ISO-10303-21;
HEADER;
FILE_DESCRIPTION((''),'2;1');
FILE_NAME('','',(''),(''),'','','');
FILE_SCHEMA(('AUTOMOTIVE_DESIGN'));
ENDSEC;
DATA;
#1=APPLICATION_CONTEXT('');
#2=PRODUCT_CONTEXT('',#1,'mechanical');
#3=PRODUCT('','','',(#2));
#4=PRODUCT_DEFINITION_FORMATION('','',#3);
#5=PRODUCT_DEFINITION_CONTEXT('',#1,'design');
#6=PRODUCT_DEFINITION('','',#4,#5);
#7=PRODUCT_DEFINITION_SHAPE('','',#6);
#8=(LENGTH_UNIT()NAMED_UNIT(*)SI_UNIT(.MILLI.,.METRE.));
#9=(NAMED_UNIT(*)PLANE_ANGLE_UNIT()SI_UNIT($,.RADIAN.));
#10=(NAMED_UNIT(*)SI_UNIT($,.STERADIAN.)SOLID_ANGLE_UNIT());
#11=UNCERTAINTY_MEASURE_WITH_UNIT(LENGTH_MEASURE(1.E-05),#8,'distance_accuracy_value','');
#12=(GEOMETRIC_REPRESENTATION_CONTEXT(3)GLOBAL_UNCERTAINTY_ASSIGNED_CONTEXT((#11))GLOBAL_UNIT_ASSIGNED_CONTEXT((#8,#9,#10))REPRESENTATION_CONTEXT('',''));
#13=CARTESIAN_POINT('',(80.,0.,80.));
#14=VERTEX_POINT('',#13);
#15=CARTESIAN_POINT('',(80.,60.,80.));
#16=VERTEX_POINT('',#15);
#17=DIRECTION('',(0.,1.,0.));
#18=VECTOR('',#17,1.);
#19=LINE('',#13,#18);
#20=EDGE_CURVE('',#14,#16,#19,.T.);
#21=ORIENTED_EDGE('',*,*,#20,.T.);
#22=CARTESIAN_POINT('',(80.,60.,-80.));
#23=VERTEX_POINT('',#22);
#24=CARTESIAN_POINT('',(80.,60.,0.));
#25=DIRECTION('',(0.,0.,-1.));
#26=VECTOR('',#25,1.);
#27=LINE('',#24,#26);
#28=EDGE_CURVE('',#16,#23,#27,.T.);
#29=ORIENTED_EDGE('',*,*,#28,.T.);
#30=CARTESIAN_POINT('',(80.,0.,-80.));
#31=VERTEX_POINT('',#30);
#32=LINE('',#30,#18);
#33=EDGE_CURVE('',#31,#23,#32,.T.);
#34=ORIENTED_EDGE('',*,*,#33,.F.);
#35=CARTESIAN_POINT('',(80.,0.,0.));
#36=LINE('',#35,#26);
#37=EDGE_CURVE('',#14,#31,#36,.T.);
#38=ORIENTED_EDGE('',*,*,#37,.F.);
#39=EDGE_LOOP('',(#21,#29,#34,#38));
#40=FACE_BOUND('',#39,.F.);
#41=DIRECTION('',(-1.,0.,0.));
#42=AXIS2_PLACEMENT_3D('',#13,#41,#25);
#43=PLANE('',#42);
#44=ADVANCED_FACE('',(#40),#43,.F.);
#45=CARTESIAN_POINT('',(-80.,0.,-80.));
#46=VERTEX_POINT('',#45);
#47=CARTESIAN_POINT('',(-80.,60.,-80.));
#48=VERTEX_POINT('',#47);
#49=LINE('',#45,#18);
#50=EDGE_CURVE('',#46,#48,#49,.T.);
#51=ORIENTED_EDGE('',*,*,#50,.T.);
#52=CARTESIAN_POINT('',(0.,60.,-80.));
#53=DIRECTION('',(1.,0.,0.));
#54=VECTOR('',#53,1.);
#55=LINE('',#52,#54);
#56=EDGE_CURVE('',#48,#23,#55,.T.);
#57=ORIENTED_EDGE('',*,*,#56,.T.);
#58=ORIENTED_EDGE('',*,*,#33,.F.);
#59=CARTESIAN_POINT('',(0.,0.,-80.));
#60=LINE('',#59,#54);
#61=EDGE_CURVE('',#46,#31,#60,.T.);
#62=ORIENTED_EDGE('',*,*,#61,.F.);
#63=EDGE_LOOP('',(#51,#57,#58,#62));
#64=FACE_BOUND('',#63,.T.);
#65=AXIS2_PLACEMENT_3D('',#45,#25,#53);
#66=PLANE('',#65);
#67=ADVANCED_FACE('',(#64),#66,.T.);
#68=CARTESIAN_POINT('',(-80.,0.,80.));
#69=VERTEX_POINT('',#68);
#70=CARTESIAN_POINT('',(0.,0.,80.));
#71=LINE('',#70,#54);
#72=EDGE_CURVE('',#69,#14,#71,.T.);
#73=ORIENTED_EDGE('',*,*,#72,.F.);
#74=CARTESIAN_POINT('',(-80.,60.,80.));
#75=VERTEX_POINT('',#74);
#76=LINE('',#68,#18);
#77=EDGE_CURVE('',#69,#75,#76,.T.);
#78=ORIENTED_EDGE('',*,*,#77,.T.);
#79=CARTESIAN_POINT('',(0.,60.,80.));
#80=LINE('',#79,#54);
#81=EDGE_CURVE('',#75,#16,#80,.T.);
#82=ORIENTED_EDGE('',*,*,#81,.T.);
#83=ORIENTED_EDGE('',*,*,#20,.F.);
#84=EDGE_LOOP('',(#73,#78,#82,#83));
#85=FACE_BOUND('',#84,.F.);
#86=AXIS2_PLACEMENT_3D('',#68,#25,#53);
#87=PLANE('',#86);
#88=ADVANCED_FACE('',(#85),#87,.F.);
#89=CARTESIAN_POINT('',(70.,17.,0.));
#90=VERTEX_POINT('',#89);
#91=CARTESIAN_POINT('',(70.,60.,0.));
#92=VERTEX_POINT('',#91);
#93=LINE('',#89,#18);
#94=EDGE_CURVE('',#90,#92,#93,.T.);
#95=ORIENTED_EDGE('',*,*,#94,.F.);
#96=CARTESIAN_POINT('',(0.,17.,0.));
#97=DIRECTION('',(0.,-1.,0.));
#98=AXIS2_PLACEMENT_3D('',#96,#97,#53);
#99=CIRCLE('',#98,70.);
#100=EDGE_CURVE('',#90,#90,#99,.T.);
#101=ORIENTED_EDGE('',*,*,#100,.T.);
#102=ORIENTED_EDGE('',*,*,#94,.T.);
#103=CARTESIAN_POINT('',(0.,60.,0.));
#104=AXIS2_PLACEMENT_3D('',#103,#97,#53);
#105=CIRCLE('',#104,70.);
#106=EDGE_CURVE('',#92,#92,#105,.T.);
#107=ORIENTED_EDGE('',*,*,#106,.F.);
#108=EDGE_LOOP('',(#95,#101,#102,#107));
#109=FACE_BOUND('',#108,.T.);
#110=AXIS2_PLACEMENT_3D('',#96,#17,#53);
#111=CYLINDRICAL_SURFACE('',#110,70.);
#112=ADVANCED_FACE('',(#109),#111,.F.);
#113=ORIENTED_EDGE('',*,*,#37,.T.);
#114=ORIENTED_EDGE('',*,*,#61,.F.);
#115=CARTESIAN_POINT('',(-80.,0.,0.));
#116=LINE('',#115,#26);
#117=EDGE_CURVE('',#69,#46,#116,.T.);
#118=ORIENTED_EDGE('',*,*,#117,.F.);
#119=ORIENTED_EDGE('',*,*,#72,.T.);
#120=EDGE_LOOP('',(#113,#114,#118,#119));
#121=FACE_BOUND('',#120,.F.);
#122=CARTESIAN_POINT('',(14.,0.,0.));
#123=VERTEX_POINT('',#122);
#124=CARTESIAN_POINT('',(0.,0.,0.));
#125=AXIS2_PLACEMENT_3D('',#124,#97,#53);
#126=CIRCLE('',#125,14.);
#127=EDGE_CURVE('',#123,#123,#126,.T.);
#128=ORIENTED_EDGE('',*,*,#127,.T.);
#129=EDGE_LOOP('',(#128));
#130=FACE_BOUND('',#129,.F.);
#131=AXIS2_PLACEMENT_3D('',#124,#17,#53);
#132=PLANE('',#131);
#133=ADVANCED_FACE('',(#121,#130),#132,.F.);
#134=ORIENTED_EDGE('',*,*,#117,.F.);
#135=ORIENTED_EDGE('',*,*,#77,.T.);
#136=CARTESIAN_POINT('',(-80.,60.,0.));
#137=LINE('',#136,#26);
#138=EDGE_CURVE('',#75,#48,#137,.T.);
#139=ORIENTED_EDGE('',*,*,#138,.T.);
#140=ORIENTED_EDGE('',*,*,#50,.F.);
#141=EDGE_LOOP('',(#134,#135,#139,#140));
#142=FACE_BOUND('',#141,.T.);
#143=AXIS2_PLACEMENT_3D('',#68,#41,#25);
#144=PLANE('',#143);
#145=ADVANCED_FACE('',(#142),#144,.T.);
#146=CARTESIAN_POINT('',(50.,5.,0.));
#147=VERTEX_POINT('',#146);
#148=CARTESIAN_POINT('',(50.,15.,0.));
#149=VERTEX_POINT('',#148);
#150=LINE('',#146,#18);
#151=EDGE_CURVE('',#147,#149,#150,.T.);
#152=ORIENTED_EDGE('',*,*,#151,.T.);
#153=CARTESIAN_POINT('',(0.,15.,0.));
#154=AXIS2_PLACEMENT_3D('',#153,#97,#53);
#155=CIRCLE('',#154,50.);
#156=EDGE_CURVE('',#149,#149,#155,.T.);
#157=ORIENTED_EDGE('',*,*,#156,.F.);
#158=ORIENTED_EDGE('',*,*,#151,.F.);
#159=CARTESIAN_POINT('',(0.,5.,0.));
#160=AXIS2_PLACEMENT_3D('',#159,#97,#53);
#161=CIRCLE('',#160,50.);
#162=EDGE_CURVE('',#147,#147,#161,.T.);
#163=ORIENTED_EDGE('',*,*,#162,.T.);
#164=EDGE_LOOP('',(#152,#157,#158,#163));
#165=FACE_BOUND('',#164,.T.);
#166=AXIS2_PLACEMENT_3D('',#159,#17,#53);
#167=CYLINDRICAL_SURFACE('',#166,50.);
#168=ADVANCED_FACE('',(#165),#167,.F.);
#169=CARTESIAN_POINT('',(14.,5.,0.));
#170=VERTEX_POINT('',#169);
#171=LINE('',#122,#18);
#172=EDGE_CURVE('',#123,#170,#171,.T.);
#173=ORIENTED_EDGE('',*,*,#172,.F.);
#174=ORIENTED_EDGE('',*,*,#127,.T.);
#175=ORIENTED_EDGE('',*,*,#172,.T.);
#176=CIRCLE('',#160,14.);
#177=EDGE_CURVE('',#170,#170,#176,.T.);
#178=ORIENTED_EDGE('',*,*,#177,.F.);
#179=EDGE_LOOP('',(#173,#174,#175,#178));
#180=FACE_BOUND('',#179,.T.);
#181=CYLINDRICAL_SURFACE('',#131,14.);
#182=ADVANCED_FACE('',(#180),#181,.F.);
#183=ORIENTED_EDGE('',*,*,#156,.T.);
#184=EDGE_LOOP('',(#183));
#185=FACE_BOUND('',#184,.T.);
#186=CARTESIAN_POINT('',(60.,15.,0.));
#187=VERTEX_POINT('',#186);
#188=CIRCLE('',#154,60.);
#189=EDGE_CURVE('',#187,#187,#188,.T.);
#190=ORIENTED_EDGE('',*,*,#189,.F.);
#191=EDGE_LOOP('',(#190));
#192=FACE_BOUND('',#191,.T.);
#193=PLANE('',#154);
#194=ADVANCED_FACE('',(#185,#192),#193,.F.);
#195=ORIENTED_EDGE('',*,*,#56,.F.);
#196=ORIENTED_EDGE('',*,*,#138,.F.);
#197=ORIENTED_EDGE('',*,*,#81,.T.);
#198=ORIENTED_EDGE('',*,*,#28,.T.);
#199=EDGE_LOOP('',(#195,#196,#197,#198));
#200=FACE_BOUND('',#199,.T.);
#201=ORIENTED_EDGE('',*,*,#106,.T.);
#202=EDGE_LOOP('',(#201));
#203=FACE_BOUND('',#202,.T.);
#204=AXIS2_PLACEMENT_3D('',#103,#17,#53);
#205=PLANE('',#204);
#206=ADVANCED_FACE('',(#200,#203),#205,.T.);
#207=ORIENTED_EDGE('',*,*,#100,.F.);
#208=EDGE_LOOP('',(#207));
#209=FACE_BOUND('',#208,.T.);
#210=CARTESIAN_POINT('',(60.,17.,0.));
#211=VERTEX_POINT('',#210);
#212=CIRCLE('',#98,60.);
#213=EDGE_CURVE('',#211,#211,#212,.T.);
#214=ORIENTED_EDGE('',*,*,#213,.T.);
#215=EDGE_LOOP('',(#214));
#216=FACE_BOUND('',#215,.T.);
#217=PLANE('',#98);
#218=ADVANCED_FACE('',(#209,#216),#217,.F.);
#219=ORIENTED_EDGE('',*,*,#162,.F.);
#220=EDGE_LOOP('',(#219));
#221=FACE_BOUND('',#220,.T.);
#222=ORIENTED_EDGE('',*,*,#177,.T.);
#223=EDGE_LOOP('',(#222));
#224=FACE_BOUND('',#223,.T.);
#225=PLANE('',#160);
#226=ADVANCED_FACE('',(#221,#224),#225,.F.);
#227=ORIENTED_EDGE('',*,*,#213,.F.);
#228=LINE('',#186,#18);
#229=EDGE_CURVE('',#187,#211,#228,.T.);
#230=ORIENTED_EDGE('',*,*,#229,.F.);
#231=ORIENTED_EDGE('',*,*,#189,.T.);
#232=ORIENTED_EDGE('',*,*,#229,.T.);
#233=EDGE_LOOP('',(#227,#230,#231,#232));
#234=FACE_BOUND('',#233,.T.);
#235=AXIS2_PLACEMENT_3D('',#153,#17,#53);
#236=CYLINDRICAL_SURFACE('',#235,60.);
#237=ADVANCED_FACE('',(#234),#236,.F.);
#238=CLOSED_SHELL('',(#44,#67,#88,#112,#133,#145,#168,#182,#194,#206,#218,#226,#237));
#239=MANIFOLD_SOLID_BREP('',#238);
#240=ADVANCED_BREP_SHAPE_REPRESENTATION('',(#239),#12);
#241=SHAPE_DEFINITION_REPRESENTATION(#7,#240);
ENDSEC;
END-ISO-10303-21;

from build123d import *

# Parameters (mm, degrees)
SKETCH_1_W      = 160
SKETCH_1_H      = 160
EXTRUDE_1_DEPTH = 60


with BuildPart() as part:
    # 草圖1 → 填料-伸長1 (new body)
    with BuildSketch(Plane(origin=(0, 0, 0), x_dir=(1, 0, 0), z_dir=(0, 1, 0))):
        Rectangle(SKETCH_1_W, SKETCH_1_H)
    extrude(amount=EXTRUDE_1_DEPTH)

    # 草圖2 → 除料-旋轉1 (revolve, cut)
    with BuildSketch(Plane.XY):
        Polygon((0, 0), (14, 0), (14, 5), (50, 5), (50, 15), (60, 15), (60, 17), (70, 17), (70, 60), (0, 60), align=None)
    revolve(axis=Axis((0, 77.889426339, 0), (0, -1, 0)), mode=Mode.SUBTRACT)


solid = part.part
